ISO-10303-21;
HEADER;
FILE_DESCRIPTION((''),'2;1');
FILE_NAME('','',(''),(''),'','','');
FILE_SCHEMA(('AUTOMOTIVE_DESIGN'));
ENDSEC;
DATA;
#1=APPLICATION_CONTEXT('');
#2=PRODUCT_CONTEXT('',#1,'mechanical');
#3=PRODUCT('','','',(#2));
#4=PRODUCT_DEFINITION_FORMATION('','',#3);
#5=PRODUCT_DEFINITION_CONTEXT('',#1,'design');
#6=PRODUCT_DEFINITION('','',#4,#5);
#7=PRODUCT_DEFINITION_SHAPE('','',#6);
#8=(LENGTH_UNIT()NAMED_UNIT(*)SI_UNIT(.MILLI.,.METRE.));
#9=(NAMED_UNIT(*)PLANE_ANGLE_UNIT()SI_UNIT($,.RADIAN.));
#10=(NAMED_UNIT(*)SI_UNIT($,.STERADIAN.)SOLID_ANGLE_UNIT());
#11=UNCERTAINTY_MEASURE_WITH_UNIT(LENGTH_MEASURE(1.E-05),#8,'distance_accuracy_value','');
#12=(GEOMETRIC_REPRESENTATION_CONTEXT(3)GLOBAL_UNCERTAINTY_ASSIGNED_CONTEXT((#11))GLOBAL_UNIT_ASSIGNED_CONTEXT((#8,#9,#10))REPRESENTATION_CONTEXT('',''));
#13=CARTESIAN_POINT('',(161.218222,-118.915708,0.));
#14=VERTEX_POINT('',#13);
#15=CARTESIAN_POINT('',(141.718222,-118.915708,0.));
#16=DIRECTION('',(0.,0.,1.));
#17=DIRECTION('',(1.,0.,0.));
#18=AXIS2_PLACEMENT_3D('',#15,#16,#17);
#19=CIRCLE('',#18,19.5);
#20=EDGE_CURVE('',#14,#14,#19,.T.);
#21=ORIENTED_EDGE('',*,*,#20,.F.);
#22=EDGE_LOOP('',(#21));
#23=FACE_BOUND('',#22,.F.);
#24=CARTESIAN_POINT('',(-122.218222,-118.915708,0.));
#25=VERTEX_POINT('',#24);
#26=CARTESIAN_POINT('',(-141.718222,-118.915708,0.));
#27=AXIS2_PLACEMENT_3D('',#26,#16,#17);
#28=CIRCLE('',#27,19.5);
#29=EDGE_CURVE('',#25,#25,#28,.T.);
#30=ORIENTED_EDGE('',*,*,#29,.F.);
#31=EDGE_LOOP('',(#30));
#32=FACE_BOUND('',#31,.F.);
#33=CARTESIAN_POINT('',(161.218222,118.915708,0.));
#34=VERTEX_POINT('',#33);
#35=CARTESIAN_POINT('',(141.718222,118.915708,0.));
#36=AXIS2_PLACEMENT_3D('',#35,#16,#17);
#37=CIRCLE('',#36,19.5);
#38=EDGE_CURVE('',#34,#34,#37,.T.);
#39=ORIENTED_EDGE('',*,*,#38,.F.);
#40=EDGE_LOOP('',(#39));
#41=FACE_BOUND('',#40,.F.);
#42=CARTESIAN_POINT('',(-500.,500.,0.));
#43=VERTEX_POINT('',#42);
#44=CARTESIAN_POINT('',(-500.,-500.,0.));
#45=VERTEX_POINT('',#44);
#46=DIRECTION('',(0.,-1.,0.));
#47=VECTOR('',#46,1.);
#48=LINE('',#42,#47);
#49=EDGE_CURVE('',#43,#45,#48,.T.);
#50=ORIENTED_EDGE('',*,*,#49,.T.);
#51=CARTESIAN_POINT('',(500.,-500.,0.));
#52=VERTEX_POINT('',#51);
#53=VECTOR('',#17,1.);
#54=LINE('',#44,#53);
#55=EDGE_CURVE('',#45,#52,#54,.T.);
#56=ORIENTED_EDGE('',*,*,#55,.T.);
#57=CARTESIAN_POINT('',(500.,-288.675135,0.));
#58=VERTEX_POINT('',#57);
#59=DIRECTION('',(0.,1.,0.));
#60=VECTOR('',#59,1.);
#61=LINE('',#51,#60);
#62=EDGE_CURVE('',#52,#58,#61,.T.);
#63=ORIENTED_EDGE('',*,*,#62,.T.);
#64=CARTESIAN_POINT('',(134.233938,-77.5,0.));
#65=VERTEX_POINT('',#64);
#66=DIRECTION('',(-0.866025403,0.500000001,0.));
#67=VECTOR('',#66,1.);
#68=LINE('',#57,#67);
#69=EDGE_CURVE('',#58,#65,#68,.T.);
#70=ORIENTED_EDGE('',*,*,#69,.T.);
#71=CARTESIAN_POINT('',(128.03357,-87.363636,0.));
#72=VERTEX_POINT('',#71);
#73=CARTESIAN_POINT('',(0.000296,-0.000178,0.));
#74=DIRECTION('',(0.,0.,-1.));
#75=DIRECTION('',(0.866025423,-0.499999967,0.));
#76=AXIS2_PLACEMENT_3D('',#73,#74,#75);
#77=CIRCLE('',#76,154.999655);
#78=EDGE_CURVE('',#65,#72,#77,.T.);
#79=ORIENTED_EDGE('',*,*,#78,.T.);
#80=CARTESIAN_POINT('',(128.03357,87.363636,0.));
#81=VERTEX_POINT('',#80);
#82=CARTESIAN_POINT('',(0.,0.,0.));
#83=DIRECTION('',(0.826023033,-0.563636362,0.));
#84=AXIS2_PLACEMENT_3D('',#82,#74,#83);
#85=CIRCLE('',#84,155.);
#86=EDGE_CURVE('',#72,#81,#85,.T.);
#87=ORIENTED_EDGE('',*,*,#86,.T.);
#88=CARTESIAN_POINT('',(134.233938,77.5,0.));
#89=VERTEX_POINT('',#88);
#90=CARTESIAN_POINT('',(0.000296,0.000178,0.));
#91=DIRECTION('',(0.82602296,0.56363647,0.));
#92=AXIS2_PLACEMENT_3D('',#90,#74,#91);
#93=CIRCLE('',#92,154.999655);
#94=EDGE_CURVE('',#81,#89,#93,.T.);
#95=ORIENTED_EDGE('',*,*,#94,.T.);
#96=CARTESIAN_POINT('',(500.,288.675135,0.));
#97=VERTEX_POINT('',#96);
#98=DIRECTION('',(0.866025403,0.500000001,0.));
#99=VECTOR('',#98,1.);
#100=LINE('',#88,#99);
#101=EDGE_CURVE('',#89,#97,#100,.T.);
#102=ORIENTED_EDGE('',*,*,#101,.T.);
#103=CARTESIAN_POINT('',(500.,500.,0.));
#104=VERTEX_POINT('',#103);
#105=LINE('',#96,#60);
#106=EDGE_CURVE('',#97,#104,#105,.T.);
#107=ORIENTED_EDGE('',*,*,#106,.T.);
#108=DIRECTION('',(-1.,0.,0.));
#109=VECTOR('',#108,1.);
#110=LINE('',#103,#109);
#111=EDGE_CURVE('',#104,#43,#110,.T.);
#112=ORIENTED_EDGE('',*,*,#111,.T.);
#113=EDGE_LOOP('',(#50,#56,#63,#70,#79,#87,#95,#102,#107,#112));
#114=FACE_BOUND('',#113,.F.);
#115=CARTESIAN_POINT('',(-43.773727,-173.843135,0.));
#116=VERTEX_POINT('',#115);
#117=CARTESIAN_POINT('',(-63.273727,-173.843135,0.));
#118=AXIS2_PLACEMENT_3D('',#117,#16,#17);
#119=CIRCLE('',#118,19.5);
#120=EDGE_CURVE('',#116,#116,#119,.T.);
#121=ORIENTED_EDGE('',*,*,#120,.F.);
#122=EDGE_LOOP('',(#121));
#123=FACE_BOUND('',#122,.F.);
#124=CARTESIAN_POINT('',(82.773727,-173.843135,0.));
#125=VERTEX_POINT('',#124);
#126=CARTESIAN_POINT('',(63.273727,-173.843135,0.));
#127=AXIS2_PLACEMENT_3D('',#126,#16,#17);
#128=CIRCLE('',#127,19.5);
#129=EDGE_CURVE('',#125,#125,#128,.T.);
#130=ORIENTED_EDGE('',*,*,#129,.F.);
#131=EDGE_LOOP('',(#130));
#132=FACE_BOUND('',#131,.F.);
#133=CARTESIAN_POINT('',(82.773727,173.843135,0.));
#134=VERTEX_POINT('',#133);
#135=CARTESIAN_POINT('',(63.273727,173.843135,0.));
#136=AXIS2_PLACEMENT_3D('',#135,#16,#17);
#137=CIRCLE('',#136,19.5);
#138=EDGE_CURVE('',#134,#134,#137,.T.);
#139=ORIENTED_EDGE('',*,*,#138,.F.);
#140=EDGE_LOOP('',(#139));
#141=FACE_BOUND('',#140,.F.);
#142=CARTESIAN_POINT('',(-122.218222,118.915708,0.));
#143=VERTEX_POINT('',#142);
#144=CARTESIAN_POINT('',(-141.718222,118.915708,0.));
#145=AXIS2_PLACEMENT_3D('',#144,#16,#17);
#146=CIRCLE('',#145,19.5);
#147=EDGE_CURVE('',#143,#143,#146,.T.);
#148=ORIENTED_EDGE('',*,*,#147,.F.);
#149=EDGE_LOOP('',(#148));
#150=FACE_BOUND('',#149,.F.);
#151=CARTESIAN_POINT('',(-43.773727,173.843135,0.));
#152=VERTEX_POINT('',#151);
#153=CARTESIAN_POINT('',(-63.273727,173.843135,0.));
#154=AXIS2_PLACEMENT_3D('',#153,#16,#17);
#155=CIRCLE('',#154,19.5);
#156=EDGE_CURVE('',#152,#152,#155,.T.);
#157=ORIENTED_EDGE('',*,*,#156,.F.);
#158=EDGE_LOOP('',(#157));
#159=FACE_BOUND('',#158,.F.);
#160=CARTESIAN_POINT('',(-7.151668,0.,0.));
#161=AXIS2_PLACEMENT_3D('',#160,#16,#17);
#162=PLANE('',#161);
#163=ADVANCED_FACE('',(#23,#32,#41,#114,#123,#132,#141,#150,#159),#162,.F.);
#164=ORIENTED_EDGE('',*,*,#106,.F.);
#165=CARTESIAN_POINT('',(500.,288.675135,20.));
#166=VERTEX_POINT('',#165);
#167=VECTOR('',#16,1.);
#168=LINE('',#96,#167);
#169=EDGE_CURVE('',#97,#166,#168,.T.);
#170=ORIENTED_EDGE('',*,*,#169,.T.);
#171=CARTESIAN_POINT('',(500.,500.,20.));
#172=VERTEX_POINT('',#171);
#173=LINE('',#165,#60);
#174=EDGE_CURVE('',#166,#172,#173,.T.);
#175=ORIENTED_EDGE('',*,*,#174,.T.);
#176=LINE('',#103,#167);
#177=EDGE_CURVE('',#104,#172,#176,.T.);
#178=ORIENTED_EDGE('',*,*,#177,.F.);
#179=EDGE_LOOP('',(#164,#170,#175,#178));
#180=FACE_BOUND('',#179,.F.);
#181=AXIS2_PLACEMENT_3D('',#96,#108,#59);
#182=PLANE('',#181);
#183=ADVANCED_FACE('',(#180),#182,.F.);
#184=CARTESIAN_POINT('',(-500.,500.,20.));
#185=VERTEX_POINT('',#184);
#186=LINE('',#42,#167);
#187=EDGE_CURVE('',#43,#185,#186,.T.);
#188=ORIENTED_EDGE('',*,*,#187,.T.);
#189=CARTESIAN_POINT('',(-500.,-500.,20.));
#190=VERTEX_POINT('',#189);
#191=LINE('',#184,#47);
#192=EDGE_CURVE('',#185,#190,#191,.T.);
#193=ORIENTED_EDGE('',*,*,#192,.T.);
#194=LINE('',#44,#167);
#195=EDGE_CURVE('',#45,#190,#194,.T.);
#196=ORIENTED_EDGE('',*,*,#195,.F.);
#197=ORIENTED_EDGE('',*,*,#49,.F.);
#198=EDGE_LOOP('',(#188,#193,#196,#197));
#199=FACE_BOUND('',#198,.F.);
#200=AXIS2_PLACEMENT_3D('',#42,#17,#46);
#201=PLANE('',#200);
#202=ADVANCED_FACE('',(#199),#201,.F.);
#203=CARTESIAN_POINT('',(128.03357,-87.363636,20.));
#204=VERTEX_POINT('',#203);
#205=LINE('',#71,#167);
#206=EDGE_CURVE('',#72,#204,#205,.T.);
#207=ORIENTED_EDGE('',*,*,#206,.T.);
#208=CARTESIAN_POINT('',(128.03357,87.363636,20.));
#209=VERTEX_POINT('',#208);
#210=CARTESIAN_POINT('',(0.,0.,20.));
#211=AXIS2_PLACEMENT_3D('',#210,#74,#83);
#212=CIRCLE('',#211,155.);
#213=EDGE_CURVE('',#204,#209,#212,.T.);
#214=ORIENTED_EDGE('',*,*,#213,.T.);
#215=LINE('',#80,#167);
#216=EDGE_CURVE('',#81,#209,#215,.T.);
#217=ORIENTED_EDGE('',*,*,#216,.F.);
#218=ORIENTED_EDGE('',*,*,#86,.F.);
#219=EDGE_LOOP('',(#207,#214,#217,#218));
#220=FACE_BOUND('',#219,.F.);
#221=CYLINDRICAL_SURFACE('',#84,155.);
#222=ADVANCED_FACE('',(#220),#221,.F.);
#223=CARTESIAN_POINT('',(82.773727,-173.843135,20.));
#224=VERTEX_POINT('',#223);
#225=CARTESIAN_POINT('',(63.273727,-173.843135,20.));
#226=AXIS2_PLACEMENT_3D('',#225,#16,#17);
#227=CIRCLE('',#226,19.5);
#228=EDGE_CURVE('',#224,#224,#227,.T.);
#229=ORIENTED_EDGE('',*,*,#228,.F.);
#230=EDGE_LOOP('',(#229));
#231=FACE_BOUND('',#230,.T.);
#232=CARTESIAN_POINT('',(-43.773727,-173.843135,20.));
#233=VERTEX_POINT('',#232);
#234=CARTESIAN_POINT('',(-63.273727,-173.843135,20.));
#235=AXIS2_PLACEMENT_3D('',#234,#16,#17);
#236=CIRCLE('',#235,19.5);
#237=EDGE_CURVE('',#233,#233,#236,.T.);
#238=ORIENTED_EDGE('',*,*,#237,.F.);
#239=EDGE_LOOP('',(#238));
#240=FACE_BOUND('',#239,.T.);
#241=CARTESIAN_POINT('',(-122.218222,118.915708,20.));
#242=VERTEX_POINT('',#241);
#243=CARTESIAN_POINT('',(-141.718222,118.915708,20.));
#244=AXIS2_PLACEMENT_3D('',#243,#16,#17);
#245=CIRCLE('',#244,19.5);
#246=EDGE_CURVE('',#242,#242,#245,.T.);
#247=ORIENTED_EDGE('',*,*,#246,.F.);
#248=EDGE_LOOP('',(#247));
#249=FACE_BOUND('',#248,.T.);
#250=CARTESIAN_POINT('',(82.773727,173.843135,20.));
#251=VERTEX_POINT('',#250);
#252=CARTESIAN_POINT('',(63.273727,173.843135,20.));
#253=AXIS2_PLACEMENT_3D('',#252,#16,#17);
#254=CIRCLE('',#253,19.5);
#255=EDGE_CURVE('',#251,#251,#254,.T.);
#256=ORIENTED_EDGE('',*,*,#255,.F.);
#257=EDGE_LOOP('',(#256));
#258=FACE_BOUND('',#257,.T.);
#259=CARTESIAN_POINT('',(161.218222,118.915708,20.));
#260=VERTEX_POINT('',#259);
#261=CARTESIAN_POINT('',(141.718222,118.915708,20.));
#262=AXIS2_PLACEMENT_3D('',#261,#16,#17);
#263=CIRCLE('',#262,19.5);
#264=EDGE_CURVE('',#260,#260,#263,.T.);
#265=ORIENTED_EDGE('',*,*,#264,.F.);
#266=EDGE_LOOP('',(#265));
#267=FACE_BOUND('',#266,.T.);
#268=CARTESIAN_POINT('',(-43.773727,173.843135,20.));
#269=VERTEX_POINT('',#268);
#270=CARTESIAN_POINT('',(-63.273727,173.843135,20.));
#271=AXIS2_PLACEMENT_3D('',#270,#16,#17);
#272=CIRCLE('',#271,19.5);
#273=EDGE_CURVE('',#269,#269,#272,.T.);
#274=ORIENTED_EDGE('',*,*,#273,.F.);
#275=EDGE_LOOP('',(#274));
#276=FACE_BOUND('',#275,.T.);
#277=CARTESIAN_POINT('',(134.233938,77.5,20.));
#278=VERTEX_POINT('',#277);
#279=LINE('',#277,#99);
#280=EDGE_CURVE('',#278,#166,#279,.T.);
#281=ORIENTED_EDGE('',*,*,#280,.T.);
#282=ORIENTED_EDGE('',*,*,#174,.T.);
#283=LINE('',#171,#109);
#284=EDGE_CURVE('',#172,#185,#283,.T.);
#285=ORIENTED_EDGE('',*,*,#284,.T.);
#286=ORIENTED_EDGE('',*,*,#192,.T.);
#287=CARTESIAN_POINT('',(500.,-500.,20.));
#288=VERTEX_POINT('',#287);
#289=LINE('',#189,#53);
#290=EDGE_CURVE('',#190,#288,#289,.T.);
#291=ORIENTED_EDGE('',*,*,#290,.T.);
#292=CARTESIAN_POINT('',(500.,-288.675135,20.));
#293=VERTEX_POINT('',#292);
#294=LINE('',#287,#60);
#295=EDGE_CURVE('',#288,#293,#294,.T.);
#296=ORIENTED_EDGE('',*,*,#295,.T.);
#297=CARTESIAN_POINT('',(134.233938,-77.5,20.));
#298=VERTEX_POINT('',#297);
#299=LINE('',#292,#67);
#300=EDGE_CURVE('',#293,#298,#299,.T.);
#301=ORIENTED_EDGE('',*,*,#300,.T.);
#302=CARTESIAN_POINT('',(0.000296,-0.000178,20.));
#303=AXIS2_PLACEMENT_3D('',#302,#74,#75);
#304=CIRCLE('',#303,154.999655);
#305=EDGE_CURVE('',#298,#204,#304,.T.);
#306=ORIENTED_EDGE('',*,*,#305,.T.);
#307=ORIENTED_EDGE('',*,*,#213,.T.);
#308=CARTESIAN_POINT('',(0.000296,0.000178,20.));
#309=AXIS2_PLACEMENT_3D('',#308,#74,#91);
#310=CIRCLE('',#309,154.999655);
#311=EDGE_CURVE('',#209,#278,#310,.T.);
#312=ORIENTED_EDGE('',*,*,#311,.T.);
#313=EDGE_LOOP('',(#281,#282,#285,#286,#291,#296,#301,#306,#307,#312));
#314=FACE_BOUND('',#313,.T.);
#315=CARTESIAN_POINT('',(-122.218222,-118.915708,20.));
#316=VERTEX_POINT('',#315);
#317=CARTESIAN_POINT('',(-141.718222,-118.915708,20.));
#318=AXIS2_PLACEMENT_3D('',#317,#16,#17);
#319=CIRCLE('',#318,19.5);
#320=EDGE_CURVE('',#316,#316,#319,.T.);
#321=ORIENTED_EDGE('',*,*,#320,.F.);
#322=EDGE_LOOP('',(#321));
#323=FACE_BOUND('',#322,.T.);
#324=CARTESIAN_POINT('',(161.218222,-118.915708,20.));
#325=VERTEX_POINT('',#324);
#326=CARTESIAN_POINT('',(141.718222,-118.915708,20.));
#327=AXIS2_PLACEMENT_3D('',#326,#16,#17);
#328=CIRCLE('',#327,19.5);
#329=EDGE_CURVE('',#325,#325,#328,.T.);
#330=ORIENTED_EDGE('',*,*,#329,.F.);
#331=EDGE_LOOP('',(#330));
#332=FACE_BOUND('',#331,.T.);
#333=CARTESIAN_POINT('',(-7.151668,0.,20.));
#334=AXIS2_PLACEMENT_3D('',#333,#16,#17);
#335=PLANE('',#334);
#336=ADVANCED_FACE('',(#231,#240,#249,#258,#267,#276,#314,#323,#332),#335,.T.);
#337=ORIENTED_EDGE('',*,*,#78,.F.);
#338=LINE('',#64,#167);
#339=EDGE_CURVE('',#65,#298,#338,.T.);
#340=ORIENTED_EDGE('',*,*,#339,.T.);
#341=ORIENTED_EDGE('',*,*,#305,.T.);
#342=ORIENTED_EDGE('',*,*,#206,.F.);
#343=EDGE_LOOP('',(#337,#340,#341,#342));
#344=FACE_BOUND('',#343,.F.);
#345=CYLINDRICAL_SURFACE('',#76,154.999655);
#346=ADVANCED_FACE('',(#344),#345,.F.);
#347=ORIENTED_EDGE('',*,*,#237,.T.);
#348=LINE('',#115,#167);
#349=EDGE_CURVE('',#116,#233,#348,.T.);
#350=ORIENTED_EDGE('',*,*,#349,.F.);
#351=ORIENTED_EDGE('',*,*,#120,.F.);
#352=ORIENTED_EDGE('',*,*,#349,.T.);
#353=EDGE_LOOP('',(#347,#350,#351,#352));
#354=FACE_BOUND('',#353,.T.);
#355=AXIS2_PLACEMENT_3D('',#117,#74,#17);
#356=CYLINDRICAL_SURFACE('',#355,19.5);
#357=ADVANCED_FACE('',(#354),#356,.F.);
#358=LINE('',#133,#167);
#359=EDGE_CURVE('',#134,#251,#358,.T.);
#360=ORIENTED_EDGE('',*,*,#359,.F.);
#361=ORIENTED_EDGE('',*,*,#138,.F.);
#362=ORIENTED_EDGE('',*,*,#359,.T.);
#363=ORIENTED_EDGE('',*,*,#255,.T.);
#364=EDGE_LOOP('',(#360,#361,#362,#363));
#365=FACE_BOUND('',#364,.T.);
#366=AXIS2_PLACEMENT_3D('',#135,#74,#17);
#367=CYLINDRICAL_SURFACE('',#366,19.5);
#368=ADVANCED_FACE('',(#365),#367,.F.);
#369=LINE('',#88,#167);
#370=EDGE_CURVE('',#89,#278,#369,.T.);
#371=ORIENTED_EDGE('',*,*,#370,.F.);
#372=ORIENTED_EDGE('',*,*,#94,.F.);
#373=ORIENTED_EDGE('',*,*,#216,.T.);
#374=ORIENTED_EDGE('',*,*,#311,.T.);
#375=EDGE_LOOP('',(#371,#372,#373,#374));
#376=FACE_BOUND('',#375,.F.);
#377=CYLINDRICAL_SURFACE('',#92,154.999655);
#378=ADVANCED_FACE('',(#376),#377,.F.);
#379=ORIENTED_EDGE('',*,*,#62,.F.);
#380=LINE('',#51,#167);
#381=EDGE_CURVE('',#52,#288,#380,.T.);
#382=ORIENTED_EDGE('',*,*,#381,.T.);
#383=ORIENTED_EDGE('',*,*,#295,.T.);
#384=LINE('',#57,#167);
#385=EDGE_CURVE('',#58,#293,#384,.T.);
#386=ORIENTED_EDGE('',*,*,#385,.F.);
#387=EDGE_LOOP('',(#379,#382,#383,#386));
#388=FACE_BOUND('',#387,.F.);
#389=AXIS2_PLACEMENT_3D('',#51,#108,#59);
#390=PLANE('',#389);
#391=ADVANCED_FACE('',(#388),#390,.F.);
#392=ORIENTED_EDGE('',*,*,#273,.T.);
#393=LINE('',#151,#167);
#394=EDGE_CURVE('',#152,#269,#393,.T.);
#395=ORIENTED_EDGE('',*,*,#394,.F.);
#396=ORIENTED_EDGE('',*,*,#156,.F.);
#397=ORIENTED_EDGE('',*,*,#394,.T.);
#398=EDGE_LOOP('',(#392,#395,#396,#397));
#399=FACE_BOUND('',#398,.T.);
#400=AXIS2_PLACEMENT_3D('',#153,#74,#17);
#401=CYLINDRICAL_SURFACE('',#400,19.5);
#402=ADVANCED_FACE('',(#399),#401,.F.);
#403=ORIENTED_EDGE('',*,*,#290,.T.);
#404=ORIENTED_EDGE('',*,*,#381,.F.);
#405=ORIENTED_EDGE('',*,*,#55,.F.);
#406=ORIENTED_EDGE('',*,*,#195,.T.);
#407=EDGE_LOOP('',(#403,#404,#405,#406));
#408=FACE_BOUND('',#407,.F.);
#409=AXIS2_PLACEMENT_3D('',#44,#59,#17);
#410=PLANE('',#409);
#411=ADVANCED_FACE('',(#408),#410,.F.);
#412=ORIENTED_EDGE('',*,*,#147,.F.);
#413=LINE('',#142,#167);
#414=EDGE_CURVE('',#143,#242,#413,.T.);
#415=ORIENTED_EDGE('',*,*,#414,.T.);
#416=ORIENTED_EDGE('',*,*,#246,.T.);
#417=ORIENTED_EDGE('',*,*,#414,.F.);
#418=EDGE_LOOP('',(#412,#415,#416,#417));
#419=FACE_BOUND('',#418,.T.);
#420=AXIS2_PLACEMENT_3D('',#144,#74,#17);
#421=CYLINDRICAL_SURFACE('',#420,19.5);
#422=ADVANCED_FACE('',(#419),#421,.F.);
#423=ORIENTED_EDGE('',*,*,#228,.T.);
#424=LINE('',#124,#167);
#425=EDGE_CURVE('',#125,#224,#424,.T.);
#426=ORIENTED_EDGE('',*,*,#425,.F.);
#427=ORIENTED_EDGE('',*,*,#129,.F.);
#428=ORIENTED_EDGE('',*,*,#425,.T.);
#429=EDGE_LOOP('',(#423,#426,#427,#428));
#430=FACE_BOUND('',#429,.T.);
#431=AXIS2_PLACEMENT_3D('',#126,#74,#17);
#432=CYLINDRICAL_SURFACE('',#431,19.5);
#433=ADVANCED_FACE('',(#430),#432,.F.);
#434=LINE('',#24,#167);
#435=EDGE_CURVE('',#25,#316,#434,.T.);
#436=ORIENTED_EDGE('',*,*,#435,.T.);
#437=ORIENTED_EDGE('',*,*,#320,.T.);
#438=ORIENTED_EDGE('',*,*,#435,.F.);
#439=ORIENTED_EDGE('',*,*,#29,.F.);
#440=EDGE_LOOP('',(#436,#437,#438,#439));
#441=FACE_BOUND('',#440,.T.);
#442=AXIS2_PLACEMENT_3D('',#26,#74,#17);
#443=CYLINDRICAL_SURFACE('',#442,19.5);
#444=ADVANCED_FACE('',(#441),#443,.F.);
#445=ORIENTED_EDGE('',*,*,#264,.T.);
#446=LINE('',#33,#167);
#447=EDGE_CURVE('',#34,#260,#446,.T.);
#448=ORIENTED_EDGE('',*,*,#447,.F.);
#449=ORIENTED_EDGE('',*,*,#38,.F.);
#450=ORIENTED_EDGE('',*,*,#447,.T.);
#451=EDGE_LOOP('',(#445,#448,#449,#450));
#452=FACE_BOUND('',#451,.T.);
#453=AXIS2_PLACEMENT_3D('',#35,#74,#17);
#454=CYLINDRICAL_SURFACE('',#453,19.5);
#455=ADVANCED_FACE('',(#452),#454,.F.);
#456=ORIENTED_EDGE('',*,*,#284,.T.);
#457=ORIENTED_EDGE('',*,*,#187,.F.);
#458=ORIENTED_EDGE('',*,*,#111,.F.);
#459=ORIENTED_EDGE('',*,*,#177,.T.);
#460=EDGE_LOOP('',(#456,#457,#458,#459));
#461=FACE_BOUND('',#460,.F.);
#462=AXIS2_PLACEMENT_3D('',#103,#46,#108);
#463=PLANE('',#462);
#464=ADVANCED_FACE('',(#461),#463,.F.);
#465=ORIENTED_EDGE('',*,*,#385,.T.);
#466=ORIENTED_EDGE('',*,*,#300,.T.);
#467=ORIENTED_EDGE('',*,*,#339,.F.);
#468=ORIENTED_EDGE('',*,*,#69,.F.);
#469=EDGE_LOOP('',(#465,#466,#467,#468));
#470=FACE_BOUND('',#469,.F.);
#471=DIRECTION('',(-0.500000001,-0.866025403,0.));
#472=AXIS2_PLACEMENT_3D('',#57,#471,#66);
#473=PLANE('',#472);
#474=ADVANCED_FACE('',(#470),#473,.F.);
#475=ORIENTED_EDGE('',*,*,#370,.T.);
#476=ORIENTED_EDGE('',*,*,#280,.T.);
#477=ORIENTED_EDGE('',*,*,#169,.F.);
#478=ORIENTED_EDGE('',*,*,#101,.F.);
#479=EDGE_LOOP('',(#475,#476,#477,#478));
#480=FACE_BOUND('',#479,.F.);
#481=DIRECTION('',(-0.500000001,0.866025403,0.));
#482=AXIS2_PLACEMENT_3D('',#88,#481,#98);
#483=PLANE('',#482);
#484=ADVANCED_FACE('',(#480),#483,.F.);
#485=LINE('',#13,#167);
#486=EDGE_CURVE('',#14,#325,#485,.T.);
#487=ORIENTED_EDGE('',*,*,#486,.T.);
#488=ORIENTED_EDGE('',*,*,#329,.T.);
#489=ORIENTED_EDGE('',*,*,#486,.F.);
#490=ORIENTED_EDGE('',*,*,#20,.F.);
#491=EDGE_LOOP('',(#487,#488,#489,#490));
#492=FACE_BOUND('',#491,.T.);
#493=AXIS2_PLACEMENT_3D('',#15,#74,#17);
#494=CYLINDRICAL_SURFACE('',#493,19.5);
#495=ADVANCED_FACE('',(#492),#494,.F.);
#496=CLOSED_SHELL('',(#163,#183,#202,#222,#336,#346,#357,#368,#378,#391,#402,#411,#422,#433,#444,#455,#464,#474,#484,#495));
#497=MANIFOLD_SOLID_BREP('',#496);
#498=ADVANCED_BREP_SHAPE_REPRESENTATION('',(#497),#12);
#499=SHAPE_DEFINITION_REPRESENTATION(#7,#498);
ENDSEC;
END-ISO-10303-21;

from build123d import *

# Parameters (mm, degrees)
F0_R     = 19.5
F1_DEPTH = 20


with BuildPart() as f1:
    # F0 (on Top) → F1 (new body)
    with BuildSketch(Plane.XY):
        with BuildLine():
            ThreePointArc((128.03357, -87.363636), (-155, 0), (128.03357, 87.363636))
            ThreePointArc((128.03357, 87.363636), (131.226462, 82.490095), (134.233938, 77.5))
            Line((134.233938, 77.5), (500, 288.675135))
            Line((500, 288.675135), (500, 500))
            Line((500, 500), (-500, 500))
            Line((-500, 500), (-500, -500))
            Line((-500, -500), (500, -500))
            Line((500, -500), (500, -288.675135))
            Line((500, -288.675135), (134.233938, -77.5))
            ThreePointArc((134.233938, -77.5), (131.226462, -82.490095), (128.03357, -87.363636))
        make_face()
        with Locations((-63.273727, -173.843135)):
            Circle(F0_R, mode=Mode.SUBTRACT)
        with Locations((-141.718222, -118.915708)):
            Circle(F0_R, mode=Mode.SUBTRACT)
        with Locations((63.273727, -173.843135)):
            Circle(F0_R, mode=Mode.SUBTRACT)
        with Locations((141.718222, -118.915708)):
            Circle(F0_R, mode=Mode.SUBTRACT)
        with Locations((-141.718222, 118.915708)):
            Circle(F0_R, mode=Mode.SUBTRACT)
        with Locations((-63.273727, 173.843135)):
            Circle(F0_R, mode=Mode.SUBTRACT)
        with Locations((141.718222, 118.915708)):
            Circle(F0_R, mode=Mode.SUBTRACT)
        with Locations((63.273727, 173.843135)):
            Circle(F0_R, mode=Mode.SUBTRACT)
    extrude(amount=F1_DEPTH)


solid = f1.part
